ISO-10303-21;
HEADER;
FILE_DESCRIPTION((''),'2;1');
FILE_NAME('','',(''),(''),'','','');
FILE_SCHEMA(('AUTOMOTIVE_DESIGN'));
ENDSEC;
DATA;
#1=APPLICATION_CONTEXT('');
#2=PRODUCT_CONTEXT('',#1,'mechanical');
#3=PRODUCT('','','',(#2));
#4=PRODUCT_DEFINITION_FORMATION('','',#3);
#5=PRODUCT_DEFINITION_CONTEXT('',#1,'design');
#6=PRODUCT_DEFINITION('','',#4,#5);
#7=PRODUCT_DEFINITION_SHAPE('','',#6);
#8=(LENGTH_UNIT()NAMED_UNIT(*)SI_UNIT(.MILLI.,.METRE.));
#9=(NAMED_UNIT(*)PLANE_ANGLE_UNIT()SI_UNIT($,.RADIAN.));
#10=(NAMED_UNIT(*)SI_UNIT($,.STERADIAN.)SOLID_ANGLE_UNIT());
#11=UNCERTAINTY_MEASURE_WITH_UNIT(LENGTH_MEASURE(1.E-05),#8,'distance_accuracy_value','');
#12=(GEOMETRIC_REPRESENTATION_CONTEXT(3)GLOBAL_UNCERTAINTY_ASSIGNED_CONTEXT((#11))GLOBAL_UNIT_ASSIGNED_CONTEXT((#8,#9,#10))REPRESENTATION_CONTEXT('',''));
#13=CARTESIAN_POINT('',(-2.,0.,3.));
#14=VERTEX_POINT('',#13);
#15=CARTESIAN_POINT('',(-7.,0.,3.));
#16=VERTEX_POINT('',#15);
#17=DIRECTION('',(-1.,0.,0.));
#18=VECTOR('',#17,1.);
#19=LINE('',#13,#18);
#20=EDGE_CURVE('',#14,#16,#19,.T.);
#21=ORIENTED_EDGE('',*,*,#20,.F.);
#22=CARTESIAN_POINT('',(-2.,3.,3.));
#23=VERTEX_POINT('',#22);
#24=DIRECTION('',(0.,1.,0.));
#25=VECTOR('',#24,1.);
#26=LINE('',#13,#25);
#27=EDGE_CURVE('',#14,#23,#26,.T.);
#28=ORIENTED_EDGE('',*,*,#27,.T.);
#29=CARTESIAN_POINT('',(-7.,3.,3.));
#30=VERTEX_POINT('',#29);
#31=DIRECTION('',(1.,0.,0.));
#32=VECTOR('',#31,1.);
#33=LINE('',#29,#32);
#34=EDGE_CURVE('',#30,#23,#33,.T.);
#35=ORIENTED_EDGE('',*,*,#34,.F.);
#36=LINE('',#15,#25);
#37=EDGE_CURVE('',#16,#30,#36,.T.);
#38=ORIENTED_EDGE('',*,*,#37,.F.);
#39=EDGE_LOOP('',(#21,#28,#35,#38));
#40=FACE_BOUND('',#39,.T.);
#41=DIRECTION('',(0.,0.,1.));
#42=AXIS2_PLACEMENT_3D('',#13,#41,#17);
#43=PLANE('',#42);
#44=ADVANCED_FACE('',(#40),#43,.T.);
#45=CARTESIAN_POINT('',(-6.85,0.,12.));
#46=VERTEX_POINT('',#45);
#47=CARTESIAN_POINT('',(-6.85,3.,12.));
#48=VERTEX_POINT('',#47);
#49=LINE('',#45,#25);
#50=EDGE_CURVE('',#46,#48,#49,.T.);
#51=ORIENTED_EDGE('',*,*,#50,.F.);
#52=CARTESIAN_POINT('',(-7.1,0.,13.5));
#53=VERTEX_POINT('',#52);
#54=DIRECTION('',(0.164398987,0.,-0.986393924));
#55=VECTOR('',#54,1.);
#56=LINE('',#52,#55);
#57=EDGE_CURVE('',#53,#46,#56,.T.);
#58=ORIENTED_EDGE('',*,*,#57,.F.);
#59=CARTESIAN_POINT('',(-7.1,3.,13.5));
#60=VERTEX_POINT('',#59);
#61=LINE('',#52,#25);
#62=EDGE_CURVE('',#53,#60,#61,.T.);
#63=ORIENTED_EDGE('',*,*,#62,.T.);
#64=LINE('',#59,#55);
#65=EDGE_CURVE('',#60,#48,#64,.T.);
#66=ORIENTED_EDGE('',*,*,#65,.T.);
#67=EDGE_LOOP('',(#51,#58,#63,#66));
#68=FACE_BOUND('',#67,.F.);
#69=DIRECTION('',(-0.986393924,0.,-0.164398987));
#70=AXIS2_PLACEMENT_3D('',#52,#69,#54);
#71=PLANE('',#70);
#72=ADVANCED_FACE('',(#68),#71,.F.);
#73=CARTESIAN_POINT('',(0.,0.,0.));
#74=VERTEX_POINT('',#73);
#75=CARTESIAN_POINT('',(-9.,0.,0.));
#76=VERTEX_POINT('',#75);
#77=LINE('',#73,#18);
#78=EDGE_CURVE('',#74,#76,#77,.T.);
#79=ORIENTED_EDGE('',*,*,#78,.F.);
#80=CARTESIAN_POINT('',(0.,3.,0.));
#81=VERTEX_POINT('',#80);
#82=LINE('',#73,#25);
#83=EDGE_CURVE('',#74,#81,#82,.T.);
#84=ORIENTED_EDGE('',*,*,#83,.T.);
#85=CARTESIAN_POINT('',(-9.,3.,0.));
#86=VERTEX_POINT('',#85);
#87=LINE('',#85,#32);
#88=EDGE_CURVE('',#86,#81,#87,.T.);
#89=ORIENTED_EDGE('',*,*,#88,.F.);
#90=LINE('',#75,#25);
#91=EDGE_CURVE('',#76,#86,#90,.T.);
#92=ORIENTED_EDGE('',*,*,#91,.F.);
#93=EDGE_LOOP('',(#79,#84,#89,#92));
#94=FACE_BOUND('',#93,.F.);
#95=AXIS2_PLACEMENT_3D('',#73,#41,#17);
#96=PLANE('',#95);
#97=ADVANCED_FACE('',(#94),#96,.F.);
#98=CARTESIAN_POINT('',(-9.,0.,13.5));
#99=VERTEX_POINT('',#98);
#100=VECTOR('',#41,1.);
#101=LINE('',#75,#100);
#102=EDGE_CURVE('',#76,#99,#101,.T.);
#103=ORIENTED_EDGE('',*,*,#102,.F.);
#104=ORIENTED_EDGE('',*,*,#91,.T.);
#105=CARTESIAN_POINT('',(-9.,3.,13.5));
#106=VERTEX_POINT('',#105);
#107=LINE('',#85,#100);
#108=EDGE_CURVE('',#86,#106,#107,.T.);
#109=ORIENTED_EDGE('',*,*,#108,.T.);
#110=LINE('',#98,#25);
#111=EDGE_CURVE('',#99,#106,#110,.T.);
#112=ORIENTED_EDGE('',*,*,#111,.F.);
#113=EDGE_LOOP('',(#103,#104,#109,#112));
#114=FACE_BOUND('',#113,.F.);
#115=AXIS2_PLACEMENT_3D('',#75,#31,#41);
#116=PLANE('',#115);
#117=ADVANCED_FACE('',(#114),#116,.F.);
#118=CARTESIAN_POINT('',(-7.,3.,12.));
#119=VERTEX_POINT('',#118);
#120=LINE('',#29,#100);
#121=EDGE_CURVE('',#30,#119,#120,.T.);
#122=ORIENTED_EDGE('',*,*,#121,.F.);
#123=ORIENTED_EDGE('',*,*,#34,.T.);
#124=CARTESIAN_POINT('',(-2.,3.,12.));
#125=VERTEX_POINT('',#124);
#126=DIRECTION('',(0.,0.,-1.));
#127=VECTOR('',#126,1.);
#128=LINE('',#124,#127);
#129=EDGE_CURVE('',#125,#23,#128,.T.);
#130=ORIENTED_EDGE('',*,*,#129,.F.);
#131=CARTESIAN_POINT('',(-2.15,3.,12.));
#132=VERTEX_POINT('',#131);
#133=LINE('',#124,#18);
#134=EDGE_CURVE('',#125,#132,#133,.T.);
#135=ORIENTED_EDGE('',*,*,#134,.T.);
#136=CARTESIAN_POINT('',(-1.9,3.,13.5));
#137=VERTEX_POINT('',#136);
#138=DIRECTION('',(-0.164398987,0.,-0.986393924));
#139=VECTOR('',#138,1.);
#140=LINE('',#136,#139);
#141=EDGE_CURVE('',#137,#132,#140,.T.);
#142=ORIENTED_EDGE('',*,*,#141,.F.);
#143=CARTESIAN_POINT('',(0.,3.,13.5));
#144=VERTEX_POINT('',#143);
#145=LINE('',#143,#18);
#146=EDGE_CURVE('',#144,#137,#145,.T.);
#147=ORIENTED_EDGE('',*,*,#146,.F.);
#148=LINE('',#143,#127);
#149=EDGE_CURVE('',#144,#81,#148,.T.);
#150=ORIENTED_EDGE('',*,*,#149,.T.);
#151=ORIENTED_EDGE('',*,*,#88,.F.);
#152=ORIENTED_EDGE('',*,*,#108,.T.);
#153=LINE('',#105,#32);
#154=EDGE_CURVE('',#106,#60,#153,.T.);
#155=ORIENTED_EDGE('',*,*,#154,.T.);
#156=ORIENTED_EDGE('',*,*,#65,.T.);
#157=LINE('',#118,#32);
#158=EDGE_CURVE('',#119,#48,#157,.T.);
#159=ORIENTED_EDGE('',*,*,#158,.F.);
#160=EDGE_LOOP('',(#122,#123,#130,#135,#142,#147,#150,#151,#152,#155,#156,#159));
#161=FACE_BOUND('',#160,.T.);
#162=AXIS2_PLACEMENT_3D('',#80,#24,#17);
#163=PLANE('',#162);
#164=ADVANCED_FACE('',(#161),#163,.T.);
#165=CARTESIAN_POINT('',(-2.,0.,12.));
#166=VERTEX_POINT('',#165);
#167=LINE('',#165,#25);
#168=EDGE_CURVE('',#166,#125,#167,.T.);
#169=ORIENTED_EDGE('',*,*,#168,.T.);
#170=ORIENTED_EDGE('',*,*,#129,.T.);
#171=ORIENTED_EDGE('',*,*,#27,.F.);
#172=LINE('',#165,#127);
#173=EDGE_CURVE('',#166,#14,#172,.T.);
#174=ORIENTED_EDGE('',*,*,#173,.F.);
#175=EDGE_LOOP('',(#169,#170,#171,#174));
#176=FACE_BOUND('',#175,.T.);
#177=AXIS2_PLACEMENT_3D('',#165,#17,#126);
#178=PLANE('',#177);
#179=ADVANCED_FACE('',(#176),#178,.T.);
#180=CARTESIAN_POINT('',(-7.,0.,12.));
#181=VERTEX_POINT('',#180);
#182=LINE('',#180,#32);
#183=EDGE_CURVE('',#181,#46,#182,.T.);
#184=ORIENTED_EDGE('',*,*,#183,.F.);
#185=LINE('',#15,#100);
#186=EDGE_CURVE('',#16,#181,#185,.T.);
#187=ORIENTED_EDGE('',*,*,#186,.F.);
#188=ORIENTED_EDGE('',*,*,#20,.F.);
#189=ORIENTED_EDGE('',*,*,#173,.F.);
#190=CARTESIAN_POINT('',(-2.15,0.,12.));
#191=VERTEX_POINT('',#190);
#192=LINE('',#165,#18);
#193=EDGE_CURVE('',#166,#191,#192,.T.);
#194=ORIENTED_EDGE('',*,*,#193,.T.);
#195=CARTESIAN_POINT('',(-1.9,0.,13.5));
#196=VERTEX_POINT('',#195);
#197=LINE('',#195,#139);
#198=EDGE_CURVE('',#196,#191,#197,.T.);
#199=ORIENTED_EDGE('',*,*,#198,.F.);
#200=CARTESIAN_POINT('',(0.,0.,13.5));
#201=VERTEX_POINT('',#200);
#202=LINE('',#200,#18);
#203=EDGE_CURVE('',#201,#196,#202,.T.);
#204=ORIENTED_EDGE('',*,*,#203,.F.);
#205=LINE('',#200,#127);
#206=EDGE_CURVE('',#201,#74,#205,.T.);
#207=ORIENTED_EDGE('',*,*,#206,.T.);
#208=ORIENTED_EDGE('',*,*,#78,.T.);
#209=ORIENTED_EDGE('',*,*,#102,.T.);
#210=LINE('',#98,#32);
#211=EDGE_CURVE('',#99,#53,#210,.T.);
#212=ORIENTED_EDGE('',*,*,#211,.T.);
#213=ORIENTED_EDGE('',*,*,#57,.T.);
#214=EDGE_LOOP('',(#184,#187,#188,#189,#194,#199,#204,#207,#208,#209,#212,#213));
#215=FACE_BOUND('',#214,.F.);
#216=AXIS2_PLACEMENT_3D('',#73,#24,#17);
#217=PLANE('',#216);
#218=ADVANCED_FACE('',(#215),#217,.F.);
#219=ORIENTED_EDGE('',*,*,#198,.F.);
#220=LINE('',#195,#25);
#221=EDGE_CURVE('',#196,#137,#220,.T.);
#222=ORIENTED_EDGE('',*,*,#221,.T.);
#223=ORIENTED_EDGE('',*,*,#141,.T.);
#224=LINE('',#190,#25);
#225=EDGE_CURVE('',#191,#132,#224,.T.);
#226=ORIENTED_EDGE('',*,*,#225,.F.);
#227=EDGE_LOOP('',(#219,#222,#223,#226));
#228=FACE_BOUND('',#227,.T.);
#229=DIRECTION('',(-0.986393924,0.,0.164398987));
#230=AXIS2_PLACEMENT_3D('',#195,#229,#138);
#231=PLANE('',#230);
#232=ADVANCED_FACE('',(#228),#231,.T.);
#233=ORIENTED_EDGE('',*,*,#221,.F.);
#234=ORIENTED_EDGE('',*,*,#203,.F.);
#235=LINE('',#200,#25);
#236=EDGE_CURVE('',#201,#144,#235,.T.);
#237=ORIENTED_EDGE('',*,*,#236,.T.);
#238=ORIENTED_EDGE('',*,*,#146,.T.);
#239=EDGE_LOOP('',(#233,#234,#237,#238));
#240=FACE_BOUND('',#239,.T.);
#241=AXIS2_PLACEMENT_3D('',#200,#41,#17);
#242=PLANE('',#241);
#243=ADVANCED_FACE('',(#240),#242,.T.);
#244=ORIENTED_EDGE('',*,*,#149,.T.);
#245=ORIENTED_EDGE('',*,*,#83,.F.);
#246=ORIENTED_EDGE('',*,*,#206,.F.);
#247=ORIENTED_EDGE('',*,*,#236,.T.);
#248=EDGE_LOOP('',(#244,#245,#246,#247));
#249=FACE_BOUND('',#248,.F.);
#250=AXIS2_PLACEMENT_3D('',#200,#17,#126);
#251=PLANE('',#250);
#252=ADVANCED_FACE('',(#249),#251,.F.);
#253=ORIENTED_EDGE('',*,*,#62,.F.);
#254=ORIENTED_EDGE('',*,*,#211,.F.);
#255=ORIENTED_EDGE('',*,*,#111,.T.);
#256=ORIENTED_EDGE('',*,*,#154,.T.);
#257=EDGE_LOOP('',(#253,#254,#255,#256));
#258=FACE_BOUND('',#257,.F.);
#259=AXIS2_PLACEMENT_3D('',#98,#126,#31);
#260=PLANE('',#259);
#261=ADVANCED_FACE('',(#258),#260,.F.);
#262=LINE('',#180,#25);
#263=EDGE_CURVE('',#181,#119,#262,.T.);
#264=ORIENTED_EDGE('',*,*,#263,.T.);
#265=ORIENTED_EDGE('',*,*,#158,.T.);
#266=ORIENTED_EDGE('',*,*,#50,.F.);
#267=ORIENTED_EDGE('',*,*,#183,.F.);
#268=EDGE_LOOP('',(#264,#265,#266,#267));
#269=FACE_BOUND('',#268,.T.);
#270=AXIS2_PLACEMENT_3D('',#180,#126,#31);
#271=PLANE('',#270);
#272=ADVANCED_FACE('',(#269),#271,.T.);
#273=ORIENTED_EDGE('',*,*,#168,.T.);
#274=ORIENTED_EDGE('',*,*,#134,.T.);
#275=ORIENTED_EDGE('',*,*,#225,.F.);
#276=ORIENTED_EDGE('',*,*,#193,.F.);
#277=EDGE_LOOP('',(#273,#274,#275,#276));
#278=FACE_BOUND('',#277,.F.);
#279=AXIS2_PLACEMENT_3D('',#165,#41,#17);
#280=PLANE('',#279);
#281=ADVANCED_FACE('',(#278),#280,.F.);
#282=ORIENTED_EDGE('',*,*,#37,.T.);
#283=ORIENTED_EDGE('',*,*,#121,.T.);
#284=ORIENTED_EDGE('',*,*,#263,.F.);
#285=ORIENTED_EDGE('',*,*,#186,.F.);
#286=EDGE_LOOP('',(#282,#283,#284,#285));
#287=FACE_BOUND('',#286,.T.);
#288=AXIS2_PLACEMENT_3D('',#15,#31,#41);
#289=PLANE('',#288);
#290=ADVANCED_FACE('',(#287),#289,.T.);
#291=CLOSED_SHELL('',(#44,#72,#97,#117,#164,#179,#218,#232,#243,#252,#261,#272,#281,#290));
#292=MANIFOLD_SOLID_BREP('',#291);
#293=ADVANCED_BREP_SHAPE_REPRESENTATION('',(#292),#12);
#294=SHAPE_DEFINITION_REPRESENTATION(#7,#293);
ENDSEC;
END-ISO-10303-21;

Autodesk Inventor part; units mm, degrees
ref_plane "YZ Plane" through (0, 0, 0) normal (1, 0, 0) x (0, 1, 0)
ref_plane "XZ Plane" through (0, 0, 0) normal (0, 1, 0) x (-1, 0, 0)
ref_plane "XY Plane" through (0, 0, 0) normal (0, 0, 1) x (1, 0, 0)
sketch "草圖1" plane through (0, 0, 0) normal (0, 1, 0) x (-1, 0, 0)
  line L0 (0, 0) -> (9, 0)
  line L1 (9, 0) -> (9, 13.5)
  line L2 (0, 13.5) -> (0, 0)
  line L3 (2, 12) -> (2, 3)
  line L4 (2, 3) -> (7, 3)
  line L5 (7, 3) -> (7, 12)
  line L6 (9, 13.5) -> (7.1, 13.5)
  line L7 (7, 12) -> (6.85, 12)
  line L8 (7.1, 13.5) -> (6.85, 12)
  line L9 (4.5, 3) -> (4.5, 0)
  line L10 (0, 13.5) -> (1.9, 13.5)
  line L11 (2, 12) -> (2.15, 12)
  line L12 (1.9, 13.5) -> (2.15, 12)
  dimension "d0" = 13.5
  dimension "d1" = 9
  dimension "d2" = 5
  dimension "d3" = 9
  dimension "d4" = 1.5
  dimension "d5" = 2
  dimension "d6" = 1.9
  dimension "d7" = 0.15
  dimension "d8" = 2
  dimension "d9" = 5
extrude "擠出1" add sketch "草圖1" along normal blind 3
properties part number "夾持器" material "木材 (樺木)"
